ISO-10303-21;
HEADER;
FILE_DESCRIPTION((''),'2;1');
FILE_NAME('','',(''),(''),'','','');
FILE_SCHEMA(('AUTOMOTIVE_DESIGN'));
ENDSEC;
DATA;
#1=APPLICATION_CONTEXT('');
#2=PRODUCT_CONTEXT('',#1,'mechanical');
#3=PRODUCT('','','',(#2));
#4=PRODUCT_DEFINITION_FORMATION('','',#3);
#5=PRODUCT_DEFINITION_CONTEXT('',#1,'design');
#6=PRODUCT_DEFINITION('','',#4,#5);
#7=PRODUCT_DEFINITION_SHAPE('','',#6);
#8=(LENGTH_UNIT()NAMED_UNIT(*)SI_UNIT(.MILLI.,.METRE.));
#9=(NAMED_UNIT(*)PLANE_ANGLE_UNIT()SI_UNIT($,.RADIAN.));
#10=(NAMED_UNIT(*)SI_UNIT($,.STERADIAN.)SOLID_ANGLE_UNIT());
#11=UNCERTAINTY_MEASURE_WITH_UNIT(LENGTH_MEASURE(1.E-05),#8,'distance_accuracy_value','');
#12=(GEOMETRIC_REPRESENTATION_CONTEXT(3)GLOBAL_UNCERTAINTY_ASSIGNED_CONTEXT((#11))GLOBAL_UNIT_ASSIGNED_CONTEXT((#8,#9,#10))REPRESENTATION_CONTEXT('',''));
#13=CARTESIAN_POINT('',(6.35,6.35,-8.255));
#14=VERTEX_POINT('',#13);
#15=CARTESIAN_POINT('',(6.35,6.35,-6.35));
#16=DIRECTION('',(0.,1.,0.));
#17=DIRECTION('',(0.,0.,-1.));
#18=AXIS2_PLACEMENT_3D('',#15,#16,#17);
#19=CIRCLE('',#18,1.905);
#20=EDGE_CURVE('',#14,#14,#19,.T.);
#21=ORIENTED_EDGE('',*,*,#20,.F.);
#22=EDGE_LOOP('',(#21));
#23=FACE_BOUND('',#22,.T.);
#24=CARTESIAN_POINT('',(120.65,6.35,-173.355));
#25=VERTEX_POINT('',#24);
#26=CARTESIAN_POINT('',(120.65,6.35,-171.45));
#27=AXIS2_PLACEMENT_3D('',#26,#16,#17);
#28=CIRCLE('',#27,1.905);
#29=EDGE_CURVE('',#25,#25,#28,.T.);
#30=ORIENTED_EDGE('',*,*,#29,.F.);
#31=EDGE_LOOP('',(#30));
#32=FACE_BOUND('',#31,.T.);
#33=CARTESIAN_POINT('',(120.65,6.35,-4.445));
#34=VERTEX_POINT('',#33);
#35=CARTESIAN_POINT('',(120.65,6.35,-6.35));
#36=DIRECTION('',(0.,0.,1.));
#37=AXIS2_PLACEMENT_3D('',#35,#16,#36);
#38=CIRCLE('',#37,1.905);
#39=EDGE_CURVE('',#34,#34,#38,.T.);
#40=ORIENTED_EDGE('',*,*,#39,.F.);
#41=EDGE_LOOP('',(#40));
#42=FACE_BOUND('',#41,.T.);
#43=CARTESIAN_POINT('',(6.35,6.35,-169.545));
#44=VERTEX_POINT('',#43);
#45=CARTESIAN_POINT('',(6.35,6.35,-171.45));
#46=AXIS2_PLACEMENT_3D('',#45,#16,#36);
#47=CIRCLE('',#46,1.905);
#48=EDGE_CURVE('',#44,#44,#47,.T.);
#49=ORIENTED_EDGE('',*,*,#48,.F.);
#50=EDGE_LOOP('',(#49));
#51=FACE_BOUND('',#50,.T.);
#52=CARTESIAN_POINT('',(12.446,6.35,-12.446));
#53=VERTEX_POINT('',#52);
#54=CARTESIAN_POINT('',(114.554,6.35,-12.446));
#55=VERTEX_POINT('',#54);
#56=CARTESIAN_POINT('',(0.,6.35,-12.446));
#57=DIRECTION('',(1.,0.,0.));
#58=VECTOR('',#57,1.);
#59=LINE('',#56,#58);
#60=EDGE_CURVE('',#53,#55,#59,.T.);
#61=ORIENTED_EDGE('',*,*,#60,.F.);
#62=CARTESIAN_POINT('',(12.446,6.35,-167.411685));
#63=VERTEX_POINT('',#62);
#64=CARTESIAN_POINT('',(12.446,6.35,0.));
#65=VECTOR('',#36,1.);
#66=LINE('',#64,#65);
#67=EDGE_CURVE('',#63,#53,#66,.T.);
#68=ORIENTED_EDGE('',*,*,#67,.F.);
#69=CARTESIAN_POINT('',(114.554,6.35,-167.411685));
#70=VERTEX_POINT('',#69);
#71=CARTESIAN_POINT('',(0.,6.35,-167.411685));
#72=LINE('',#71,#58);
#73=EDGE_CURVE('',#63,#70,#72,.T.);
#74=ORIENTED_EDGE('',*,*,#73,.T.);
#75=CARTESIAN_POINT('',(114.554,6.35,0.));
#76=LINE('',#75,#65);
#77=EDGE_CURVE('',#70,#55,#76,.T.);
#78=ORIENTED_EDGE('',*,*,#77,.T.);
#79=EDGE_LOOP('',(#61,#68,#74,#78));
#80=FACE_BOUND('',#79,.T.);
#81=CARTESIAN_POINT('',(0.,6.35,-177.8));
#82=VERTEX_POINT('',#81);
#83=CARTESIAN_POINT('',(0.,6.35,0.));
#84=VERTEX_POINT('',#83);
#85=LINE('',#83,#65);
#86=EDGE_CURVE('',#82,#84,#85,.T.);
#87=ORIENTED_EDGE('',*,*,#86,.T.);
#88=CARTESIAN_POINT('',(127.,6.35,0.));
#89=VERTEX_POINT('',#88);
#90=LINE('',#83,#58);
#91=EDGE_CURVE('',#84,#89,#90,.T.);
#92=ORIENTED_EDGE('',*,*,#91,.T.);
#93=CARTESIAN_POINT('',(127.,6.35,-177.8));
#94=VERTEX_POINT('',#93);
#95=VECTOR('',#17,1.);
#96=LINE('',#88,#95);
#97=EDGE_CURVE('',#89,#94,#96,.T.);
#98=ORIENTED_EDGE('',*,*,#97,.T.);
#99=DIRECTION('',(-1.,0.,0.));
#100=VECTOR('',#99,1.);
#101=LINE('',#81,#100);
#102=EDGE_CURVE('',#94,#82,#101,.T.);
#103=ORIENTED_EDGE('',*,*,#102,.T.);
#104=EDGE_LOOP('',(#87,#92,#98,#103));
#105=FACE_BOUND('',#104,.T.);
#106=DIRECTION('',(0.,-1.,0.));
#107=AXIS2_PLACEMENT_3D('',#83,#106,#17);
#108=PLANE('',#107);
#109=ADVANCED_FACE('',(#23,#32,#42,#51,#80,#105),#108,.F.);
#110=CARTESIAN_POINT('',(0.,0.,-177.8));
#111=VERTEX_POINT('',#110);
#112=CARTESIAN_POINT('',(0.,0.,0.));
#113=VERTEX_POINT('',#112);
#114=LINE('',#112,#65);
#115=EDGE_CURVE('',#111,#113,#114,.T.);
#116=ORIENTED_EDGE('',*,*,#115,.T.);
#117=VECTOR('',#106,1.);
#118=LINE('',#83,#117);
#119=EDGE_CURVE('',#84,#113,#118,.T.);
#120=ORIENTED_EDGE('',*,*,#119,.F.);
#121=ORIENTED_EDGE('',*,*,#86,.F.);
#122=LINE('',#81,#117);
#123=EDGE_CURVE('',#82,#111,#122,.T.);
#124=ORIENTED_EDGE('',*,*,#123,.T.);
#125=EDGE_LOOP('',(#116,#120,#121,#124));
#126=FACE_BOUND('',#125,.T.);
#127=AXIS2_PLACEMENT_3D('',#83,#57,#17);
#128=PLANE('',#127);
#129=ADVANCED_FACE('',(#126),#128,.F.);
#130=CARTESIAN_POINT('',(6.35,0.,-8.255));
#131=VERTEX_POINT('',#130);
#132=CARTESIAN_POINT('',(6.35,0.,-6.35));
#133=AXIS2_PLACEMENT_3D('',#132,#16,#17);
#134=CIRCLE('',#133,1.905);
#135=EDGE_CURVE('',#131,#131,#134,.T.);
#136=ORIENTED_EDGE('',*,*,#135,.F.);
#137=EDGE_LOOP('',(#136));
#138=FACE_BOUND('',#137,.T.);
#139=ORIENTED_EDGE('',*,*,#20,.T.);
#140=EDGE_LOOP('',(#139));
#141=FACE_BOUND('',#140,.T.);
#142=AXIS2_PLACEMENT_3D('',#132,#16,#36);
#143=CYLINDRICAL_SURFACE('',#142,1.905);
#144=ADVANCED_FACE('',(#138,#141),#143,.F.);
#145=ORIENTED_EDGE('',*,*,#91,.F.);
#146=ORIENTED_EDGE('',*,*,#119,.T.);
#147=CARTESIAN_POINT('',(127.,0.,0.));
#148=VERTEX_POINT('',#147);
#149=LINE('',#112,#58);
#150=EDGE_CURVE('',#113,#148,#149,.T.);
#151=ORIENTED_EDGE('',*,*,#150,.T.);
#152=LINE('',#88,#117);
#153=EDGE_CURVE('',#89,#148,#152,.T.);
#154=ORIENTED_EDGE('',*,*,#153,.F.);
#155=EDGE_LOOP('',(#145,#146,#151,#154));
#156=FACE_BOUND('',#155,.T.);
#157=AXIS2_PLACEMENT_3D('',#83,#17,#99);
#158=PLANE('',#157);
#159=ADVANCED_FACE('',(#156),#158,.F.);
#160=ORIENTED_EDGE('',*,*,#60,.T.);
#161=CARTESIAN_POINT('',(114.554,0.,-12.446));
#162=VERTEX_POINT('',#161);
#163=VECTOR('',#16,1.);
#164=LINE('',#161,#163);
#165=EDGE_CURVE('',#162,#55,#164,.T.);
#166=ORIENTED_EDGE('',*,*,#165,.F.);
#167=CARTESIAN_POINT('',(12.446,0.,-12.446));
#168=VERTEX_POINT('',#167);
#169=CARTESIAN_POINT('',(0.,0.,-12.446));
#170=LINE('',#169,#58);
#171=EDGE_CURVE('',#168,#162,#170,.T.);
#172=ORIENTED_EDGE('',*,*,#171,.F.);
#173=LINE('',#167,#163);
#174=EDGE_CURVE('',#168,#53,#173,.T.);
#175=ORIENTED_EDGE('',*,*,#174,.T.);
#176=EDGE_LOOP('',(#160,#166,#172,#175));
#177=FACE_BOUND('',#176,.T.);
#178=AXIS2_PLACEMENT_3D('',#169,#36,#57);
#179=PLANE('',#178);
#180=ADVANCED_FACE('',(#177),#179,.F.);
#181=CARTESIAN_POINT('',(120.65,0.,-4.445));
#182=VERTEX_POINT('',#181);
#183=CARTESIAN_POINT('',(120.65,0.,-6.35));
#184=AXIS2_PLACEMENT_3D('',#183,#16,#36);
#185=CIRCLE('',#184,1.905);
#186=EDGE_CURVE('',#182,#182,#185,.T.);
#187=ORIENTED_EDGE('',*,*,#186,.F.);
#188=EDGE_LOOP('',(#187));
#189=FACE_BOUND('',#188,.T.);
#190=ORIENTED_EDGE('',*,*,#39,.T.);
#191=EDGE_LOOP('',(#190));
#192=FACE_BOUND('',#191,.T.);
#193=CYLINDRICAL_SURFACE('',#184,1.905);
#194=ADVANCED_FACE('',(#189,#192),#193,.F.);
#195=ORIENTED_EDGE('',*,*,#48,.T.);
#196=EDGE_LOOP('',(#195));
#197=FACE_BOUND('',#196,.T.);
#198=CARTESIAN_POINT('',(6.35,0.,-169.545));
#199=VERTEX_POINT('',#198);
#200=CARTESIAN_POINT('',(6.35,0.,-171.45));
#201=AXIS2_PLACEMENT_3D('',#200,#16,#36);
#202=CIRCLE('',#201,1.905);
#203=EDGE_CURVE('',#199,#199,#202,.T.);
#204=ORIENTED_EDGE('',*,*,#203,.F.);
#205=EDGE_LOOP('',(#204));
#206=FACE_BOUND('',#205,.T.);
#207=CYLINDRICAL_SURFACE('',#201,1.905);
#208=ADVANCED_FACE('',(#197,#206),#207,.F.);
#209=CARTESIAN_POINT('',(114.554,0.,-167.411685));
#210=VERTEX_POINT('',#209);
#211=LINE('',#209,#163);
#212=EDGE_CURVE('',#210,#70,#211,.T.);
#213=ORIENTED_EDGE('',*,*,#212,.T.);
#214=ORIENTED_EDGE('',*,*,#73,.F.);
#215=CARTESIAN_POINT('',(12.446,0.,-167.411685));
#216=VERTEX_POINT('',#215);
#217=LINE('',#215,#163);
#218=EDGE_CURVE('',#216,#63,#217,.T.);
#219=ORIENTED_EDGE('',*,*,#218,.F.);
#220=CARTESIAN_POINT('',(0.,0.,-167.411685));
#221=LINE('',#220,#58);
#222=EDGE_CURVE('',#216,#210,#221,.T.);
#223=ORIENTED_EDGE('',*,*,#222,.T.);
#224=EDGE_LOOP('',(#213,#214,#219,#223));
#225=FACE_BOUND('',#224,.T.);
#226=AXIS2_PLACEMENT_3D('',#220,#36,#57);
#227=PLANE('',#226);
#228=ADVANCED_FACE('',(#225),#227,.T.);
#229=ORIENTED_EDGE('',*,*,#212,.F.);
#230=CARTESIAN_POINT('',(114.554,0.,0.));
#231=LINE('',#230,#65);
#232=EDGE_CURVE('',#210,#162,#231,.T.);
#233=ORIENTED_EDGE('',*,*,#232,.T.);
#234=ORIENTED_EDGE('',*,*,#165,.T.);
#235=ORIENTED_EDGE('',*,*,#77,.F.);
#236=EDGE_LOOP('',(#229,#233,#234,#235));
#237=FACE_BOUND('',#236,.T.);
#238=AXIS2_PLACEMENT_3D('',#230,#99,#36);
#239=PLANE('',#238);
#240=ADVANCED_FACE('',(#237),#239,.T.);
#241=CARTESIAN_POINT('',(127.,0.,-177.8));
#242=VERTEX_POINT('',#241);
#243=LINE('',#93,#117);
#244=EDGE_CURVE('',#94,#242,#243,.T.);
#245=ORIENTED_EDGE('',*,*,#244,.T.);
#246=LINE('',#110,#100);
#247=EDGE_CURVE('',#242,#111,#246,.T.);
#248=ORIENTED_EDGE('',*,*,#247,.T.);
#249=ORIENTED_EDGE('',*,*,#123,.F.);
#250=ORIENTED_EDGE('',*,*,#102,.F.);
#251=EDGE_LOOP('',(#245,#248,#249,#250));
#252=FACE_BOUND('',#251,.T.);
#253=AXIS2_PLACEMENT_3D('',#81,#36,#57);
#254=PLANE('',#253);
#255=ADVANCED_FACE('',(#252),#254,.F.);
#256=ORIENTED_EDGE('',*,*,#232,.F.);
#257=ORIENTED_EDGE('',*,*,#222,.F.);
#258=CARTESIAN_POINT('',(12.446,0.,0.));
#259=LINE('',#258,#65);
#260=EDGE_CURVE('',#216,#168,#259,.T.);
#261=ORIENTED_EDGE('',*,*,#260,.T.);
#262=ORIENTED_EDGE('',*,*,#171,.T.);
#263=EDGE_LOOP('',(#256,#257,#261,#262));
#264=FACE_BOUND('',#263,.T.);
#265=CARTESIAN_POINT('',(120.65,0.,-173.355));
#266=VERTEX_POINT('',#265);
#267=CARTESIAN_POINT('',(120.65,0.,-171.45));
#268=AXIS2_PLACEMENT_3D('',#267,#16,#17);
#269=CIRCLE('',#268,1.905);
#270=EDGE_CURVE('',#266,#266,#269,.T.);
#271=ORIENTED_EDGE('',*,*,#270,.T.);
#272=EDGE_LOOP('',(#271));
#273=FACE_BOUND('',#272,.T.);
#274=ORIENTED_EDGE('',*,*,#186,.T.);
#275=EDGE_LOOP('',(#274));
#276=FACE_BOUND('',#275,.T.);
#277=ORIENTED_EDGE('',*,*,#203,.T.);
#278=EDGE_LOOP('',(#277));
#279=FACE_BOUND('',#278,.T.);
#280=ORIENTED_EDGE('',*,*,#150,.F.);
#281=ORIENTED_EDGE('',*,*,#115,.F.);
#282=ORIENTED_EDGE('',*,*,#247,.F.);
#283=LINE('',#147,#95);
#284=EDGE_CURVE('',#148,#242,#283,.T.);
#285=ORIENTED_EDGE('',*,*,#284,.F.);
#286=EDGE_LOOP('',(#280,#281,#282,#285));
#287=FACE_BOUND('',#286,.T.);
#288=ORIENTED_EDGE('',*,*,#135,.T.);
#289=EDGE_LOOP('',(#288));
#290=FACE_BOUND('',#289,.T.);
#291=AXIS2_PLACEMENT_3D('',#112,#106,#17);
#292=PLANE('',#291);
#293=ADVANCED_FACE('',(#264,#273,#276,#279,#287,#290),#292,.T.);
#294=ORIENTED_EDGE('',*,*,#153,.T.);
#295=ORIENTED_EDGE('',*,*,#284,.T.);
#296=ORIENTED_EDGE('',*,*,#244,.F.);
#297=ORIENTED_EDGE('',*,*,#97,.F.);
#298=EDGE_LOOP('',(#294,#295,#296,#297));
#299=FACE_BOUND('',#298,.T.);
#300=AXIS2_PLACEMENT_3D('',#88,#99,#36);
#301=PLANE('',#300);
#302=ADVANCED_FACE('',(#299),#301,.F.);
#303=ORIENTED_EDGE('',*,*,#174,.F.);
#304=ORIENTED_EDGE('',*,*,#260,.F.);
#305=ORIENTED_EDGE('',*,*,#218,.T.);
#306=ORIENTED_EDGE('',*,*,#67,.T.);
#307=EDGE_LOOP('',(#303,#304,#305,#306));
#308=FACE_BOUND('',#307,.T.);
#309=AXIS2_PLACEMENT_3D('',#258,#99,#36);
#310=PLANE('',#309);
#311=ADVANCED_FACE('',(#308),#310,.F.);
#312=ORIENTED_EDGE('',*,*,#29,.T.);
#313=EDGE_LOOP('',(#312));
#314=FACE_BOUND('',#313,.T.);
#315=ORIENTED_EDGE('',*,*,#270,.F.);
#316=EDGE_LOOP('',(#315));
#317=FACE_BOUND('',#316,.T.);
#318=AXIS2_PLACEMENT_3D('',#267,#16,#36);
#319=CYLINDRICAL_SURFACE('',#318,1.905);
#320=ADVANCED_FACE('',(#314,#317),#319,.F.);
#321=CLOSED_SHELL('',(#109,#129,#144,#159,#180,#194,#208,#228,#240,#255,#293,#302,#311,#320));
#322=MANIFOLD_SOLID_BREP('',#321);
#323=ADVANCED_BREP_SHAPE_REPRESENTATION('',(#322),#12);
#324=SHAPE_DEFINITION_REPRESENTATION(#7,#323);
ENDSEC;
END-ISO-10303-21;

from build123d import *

# Parameters (mm, degrees)
SKETCH1_W           = 127
SKETCH1_H           = 177.8
BOSS_EXTRUDE1_DEPTH = 6.35
SKETCH2_W           = 102.108
SKETCH2_H           = 154.965684877
CUT_EXTRUDE1_DEPTH  = 219.591313871
SKETCH3_R           = 1.905
CUT_EXTRUDE2_DEPTH  = 219.591313871


with BuildPart() as part:
    # Sketch1 → Boss-Extrude1 (new body)
    with BuildSketch(Plane(origin=(0, 0, 0), x_dir=(1, 0, 0), z_dir=(0, 1, 0))):
        with Locations((63.5, 88.9)):
            Rectangle(SKETCH1_W, SKETCH1_H)
    extrude(amount=BOSS_EXTRUDE1_DEPTH)

    # Sketch2 → Cut-Extrude1 (cut, through all)
    with BuildSketch(Plane(origin=(0, 6.35, 0), x_dir=(1, 0, 0), z_dir=(0, 1, 0))):
        with Locations((63.5, 89.928842438)):
            Rectangle(SKETCH2_W, SKETCH2_H)
    extrude(amount=-CUT_EXTRUDE1_DEPTH, mode=Mode.SUBTRACT)

    # Sketch3 → Cut-Extrude2 (cut, through all)
    with BuildSketch(Plane(origin=(0, 6.35, 0), x_dir=(1, 0, 0), z_dir=(0, 1, 0))):
        with Locations(Location((6.35, 171.45, 0), (0, 0, 270))):
            Circle(SKETCH3_R)
        with Locations(Location((6.35, 6.35, 0), (0, 0, 90))):
            Circle(SKETCH3_R)
        with Locations(Location((120.65, 6.35, 0), (0, 0, 270))):
            Circle(SKETCH3_R)
        with Locations(Location((120.65, 171.45, 0), (0, 0, 90))):
            Circle(SKETCH3_R)
    extrude(amount=-CUT_EXTRUDE2_DEPTH, mode=Mode.SUBTRACT)


solid = part.part
